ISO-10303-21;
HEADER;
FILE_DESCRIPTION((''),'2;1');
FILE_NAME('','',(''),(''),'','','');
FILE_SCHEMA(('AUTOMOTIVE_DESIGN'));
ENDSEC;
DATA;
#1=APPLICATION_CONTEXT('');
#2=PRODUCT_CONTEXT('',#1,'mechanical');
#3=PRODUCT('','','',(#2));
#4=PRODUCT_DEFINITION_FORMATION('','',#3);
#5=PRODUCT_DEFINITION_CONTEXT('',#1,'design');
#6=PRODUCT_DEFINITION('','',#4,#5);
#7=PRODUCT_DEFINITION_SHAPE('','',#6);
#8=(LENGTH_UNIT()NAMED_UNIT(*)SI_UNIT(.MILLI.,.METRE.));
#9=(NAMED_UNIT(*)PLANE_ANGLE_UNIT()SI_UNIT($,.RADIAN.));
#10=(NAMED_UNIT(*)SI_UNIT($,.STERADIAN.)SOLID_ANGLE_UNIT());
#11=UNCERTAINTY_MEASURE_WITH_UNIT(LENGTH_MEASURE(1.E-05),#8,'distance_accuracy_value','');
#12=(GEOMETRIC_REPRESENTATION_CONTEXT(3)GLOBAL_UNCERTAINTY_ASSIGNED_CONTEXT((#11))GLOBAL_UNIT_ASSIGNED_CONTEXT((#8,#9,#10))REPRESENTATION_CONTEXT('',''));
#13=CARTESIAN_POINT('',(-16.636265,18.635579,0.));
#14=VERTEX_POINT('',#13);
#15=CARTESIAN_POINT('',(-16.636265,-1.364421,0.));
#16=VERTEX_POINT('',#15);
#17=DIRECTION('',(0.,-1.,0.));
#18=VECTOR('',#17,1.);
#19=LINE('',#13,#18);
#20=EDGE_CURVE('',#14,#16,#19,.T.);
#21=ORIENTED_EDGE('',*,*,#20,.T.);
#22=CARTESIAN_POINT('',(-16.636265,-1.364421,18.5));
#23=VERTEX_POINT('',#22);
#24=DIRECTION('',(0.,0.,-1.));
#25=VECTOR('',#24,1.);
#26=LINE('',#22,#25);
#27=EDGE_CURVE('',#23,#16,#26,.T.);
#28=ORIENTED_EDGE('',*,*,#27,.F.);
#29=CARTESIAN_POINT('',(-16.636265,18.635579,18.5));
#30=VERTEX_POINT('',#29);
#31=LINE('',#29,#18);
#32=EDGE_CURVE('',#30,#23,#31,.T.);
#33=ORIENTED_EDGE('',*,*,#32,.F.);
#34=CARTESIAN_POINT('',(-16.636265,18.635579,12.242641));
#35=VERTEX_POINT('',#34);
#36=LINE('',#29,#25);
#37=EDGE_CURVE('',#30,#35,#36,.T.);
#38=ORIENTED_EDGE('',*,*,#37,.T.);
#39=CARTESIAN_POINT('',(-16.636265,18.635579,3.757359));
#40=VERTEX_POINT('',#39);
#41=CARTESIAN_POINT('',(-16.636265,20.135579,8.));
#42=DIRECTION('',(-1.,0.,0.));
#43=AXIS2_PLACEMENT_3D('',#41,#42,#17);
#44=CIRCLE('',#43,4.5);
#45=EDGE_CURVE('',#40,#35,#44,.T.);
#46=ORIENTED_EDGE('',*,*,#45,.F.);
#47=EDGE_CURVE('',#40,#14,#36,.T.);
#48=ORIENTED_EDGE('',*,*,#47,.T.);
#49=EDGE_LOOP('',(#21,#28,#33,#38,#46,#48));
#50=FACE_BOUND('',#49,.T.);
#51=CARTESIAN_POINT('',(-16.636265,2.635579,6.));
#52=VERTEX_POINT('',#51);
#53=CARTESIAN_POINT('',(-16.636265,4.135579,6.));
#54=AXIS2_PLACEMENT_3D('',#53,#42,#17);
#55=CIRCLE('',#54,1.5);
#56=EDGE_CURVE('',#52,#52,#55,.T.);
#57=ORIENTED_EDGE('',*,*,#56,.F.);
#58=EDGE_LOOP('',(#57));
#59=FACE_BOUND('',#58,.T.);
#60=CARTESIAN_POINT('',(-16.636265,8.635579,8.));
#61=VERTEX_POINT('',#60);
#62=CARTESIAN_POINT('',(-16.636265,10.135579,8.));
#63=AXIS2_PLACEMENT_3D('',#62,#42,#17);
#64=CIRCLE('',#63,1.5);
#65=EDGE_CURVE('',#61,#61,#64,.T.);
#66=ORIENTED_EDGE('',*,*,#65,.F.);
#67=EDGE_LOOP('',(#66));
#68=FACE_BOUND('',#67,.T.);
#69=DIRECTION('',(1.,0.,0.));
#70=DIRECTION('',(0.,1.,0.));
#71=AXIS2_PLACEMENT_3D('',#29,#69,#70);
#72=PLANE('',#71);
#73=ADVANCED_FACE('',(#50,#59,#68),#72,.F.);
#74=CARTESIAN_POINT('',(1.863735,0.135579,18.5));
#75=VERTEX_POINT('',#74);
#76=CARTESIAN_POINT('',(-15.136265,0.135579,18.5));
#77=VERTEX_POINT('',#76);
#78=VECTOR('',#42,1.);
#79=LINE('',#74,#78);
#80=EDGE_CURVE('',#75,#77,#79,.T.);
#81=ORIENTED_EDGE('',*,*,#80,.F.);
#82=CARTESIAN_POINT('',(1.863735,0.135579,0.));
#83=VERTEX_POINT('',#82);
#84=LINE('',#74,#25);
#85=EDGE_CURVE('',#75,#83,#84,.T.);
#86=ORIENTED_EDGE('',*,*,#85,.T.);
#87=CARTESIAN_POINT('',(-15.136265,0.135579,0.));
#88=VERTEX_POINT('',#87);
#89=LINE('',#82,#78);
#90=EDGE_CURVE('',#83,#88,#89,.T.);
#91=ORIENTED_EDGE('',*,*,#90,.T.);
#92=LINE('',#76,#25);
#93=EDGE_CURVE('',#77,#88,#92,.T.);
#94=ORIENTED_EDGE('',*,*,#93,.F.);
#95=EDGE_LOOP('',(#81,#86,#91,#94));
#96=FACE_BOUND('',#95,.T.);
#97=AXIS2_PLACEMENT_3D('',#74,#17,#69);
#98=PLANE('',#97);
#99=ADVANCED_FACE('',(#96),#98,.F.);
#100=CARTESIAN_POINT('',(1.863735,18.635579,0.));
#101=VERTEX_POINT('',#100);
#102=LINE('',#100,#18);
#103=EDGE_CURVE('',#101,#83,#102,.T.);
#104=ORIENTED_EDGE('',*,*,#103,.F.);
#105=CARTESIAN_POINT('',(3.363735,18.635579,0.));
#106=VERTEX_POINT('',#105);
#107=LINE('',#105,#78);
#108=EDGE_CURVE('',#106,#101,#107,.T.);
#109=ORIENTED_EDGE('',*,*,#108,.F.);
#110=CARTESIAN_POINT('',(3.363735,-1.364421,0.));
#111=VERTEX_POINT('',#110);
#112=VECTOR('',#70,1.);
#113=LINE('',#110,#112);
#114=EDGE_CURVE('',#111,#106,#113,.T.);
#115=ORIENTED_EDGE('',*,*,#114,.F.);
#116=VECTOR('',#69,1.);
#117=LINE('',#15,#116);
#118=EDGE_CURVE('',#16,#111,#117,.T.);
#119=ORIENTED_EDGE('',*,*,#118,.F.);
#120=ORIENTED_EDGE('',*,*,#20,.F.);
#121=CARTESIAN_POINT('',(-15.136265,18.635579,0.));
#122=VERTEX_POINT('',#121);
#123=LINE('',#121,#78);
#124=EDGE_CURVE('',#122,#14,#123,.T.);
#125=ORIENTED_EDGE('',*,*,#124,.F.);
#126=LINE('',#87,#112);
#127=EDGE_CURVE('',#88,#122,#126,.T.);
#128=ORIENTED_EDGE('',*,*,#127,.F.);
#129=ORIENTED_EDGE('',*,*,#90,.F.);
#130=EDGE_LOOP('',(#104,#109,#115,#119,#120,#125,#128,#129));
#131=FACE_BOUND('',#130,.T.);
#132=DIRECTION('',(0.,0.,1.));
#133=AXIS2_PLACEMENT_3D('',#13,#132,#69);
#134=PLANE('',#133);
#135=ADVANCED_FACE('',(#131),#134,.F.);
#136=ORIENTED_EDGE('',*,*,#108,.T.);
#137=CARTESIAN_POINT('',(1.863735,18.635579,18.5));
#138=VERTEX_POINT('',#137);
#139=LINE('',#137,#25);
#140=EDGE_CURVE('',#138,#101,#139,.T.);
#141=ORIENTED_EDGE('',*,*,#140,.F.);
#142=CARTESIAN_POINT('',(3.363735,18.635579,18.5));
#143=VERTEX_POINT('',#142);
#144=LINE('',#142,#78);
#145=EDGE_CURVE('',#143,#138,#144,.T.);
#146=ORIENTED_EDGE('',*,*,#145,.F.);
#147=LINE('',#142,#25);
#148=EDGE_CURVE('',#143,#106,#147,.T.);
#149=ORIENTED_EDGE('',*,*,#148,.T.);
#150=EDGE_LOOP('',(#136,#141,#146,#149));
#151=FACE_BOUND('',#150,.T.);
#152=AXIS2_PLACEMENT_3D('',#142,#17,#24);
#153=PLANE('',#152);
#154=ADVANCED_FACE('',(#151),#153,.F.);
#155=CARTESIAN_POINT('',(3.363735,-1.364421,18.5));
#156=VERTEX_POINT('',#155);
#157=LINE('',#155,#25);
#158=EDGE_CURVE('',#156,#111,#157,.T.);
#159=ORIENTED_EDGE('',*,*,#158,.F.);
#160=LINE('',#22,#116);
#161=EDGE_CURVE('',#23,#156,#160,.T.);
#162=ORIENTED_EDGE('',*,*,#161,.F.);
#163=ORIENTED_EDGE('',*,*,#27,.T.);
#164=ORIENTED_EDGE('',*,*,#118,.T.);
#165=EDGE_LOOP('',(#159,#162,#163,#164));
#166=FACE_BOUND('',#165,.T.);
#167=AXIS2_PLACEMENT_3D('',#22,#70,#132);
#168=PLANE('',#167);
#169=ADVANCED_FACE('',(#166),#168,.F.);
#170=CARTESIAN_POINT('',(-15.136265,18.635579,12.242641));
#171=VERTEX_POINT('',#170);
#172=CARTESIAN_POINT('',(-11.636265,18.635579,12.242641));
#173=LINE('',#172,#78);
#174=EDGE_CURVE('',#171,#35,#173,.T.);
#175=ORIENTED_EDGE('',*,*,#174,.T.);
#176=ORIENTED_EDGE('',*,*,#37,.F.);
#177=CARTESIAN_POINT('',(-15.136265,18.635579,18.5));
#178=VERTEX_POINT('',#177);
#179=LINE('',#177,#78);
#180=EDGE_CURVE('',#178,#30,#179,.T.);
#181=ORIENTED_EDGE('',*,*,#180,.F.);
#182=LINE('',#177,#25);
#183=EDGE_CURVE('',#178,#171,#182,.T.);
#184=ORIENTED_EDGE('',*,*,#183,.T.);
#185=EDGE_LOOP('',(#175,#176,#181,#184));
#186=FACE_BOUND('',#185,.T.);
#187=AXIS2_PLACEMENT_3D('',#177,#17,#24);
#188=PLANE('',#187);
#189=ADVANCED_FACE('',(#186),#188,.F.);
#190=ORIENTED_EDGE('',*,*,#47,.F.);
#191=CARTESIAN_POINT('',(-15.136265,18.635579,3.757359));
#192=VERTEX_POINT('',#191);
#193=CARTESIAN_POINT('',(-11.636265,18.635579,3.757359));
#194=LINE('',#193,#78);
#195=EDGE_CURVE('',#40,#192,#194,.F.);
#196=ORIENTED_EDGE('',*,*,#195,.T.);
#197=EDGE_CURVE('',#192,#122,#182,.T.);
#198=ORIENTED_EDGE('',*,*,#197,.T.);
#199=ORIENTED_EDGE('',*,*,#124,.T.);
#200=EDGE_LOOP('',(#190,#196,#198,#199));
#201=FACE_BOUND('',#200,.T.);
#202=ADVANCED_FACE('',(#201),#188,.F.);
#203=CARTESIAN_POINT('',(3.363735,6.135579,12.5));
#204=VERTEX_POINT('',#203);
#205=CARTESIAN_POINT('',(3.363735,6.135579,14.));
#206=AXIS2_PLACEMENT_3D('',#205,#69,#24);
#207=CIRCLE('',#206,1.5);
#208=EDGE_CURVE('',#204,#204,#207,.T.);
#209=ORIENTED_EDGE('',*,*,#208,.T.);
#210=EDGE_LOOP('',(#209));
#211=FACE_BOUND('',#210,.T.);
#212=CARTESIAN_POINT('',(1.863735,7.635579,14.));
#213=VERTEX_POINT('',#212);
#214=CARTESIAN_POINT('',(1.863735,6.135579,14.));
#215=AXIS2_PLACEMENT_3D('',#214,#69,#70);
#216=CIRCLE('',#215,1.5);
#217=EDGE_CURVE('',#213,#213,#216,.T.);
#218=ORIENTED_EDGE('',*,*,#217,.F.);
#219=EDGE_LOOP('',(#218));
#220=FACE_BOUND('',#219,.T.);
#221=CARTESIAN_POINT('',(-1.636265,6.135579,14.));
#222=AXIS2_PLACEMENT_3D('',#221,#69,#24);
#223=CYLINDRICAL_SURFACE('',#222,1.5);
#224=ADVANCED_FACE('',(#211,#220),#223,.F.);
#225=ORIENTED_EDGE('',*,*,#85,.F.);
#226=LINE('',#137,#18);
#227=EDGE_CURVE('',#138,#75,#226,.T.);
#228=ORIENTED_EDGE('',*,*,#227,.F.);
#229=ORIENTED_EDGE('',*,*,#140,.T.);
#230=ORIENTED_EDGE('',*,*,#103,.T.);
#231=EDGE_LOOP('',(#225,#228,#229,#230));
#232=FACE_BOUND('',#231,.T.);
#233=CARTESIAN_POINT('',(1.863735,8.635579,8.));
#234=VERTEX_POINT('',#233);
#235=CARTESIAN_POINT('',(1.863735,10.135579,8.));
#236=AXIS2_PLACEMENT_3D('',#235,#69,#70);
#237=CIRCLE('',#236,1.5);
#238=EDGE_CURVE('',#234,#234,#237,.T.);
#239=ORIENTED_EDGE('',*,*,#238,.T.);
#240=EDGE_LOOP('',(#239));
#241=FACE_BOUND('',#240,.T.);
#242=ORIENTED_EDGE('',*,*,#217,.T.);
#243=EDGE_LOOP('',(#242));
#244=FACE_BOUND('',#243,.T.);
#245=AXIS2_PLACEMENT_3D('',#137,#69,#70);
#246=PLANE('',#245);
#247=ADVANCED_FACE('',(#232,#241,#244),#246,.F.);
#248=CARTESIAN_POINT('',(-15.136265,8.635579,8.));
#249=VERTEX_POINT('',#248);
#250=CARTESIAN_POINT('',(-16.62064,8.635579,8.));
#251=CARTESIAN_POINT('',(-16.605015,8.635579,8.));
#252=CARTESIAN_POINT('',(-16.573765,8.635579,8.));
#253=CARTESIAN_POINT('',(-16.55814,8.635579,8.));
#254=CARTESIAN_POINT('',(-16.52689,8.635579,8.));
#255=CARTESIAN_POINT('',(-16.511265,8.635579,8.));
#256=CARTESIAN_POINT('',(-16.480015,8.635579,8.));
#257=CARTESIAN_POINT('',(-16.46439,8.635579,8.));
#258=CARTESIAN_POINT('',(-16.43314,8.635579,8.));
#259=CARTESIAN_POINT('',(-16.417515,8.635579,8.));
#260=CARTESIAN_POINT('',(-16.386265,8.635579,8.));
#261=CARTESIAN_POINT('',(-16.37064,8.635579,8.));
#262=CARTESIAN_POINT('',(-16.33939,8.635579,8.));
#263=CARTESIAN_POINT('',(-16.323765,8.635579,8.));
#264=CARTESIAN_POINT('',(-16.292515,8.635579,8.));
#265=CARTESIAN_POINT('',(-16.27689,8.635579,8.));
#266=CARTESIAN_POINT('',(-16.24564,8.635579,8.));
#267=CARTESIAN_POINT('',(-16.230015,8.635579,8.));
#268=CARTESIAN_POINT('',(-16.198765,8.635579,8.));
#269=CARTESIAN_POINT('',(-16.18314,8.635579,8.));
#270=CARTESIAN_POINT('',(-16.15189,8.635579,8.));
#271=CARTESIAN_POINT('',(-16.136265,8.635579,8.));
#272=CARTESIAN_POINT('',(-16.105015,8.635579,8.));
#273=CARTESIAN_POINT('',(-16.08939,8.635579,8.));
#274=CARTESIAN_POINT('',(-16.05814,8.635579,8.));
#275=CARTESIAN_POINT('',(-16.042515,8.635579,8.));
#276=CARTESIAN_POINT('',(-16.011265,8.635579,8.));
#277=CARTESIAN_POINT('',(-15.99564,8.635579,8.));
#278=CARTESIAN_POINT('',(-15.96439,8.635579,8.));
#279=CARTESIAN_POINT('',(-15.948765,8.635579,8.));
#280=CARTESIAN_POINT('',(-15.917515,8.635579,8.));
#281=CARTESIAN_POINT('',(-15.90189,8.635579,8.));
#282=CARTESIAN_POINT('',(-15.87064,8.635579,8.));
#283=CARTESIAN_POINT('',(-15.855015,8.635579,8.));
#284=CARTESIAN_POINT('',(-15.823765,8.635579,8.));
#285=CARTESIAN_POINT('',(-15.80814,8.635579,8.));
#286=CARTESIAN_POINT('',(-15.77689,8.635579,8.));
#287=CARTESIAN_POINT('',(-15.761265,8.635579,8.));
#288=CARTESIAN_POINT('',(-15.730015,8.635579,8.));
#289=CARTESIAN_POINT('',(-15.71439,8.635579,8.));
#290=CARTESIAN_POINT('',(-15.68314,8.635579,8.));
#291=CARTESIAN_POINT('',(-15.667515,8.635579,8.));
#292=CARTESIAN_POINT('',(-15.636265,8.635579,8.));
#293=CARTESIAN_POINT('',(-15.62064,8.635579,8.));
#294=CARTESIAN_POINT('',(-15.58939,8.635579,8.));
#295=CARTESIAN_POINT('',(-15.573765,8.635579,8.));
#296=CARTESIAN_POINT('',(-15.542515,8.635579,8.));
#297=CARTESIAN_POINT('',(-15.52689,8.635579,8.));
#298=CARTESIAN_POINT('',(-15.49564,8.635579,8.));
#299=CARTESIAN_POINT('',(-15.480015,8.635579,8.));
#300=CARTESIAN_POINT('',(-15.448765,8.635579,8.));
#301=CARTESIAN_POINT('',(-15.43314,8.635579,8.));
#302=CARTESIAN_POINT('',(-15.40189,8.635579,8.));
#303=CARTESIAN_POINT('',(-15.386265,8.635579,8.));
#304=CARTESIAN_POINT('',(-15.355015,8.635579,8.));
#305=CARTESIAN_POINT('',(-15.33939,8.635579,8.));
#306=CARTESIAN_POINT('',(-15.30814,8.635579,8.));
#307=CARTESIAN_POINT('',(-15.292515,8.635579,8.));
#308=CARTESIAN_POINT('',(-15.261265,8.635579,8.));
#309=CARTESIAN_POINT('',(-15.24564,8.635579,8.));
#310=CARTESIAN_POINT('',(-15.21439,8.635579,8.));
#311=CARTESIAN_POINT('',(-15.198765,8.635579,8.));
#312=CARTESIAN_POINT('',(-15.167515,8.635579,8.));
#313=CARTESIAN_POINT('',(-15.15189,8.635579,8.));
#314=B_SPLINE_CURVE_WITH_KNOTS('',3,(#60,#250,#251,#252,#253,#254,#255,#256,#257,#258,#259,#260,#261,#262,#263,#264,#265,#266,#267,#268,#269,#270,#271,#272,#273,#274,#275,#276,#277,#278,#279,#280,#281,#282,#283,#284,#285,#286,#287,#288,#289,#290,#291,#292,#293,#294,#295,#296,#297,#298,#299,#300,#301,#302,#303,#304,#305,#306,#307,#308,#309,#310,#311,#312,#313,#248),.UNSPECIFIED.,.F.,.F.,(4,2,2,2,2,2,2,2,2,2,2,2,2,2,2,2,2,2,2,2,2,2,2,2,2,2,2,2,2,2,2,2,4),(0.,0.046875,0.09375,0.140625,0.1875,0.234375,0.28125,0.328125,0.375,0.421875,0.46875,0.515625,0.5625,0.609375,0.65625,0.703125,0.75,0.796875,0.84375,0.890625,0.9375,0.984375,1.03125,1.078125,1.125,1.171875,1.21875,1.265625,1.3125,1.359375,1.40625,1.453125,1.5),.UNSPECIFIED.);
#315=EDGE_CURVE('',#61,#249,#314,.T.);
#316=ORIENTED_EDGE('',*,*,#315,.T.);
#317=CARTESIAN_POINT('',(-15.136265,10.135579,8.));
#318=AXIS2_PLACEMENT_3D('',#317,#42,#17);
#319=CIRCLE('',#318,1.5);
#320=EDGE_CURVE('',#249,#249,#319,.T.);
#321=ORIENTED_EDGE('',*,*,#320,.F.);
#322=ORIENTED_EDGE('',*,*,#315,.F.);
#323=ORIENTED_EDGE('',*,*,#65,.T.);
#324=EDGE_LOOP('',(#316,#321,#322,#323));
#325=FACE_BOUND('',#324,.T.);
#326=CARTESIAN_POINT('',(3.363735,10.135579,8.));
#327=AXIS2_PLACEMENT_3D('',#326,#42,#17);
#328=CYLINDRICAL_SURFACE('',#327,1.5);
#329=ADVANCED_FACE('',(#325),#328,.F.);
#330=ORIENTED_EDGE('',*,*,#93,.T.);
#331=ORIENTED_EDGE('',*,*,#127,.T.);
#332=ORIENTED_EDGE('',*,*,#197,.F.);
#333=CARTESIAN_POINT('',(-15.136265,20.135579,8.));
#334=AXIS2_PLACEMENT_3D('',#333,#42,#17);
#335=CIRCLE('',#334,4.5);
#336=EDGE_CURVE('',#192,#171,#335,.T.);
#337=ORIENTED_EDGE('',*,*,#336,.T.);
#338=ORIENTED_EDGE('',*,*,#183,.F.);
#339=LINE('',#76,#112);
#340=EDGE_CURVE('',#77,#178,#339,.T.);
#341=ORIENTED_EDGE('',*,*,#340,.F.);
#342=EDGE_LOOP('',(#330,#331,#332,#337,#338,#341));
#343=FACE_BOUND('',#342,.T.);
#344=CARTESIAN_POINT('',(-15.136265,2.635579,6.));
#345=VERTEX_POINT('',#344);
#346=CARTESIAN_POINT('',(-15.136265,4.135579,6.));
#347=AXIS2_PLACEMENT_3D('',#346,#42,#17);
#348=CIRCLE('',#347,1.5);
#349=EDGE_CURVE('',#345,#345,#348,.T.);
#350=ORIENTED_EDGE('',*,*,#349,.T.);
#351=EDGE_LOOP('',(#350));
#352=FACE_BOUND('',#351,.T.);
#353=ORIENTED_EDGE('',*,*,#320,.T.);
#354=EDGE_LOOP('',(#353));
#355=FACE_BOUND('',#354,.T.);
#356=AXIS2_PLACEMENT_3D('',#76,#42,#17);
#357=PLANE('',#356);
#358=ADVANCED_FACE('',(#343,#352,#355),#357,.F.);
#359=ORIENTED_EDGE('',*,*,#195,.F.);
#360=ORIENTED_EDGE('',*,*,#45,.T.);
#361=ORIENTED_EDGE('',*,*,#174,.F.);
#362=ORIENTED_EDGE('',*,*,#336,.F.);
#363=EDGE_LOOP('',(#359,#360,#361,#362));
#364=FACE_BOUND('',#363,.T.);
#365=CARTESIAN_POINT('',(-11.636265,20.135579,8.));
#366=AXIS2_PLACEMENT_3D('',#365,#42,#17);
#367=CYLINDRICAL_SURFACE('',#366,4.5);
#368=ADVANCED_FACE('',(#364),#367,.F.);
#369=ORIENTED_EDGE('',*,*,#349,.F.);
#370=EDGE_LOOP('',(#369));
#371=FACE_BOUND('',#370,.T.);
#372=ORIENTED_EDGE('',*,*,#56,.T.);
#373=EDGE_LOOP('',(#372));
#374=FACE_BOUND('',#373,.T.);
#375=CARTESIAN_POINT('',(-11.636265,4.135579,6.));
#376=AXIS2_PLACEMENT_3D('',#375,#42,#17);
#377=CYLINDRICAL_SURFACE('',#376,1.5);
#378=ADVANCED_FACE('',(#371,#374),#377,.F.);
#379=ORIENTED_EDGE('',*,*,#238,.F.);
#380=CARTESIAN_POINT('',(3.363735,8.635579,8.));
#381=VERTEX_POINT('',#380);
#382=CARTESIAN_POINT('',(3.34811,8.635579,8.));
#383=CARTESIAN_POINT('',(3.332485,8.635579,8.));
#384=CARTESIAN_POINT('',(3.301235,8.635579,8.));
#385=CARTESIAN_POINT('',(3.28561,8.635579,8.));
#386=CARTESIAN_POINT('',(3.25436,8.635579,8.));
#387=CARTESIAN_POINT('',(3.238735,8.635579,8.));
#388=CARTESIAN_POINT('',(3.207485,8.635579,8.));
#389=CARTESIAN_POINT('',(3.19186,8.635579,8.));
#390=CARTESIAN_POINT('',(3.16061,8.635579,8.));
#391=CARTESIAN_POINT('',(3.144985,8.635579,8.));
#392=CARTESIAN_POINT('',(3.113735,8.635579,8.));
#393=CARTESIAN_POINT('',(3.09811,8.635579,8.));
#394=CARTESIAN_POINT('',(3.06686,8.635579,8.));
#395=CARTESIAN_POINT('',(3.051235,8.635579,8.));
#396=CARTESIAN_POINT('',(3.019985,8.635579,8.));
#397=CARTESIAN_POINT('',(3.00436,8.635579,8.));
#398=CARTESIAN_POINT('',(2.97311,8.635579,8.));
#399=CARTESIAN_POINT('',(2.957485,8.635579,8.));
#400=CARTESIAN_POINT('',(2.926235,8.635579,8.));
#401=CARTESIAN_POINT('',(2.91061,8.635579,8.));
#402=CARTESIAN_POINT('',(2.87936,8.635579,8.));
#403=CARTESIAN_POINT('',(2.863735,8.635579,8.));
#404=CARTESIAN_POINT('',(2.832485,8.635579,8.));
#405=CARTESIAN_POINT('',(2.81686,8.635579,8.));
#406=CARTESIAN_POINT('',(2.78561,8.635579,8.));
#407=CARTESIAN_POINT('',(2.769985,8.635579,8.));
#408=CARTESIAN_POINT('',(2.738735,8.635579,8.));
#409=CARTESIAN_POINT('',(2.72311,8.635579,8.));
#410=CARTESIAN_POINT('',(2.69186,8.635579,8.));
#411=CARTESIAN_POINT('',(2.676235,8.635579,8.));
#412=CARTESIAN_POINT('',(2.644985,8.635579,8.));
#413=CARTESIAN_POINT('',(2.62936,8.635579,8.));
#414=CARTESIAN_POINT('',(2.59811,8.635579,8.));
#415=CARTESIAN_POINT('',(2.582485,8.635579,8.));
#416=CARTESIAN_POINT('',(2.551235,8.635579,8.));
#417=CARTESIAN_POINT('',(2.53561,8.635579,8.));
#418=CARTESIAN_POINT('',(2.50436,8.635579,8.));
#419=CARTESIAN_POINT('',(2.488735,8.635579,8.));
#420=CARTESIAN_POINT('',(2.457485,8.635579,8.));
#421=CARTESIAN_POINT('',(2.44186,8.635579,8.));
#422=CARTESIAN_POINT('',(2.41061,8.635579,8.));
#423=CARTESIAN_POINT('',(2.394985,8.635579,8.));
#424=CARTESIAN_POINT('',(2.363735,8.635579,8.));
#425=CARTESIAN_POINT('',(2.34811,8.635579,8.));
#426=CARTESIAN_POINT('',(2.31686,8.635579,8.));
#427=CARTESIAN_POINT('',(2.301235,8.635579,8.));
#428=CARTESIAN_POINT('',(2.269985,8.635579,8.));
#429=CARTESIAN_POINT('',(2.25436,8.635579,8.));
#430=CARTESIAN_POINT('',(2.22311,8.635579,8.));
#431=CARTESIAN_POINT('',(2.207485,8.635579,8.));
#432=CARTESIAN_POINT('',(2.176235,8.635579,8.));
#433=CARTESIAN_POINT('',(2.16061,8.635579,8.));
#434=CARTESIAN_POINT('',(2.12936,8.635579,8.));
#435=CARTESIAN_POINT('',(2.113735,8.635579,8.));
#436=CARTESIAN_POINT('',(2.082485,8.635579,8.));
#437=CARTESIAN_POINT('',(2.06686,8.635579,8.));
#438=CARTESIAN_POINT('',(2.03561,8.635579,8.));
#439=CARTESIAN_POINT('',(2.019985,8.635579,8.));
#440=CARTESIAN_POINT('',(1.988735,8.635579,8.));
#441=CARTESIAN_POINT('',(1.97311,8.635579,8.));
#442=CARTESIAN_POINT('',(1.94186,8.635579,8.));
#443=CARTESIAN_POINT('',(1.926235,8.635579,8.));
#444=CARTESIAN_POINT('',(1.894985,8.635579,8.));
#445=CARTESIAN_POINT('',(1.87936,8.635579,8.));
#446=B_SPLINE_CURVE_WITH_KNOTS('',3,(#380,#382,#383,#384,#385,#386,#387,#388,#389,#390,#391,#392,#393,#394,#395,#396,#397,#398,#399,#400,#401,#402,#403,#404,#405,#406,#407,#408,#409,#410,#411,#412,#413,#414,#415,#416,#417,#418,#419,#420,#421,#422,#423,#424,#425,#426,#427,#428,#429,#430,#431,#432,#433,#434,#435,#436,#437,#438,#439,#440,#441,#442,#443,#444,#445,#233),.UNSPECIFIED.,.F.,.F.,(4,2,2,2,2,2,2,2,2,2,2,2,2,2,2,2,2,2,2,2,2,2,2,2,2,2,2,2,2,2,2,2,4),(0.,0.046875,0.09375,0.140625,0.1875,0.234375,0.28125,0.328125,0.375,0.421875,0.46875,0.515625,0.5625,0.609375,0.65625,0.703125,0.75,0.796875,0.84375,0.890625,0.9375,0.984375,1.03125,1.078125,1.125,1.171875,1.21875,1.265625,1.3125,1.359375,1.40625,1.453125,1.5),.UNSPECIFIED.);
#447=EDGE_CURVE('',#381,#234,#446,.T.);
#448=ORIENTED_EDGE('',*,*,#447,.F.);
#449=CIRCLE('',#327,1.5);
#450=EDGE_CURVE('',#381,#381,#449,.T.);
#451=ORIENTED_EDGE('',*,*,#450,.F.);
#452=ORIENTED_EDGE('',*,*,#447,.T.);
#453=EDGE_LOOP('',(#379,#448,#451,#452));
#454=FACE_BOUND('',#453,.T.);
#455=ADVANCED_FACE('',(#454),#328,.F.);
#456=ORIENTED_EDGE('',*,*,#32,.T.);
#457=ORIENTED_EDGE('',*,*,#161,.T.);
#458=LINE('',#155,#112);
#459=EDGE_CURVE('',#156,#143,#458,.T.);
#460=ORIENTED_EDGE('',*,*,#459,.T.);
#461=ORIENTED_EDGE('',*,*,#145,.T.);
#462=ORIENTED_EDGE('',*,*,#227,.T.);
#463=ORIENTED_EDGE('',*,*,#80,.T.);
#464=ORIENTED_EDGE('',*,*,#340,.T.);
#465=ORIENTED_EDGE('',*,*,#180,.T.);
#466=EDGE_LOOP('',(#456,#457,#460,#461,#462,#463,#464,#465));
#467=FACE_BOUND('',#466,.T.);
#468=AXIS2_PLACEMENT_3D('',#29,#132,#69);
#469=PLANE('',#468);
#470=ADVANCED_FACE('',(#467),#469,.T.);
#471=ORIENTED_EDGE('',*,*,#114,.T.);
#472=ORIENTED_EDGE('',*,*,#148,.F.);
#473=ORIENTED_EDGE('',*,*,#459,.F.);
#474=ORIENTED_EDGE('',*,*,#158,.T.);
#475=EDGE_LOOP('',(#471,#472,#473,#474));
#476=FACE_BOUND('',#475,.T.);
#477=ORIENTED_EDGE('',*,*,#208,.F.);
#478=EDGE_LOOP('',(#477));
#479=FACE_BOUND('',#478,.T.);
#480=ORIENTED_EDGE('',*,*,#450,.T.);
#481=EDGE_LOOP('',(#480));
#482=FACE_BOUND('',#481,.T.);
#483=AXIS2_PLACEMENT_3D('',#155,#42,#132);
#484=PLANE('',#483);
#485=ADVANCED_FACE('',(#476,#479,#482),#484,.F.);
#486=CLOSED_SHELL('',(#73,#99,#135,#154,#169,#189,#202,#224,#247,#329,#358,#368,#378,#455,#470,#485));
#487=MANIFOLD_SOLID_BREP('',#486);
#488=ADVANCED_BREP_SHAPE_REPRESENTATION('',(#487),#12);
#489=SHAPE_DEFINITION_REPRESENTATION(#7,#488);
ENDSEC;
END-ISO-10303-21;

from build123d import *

# Parameters (mm, degrees)
EXTRUSION1_DEPTH = 18.5
ESQUISSE2_R      = 1.5
EXTRUSION2_DEPTH = 5
ESQUISSE3_R      = 4.5
ESQUISSE3_R_2    = 1.5
EXTRUSION3_DEPTH = 5
ESQUISSE4_R      = 1.5
EXTRUSION4_DEPTH = 34.008102077


with BuildPart() as part:
    # Esquisse1 → Extrusion1 (new body)
    with BuildSketch(Plane.XY):
        Polygon((-16.636265327, 18.635578947), (-16.636265327, -1.364421053), (3.363734673, -1.364421053), (3.363734673, 18.635578947), (1.863734673, 18.635578947), (1.863734673, 0.135578947), (-15.136265327, 0.135578947), (-15.136265327, 18.635578947), align=None)
    extrude(amount=EXTRUSION1_DEPTH)

    # Esquisse2 → Extrusion2 (cut)
    with BuildSketch(Plane(origin=(3.363734673, 0, 0), x_dir=(0, 0, -1), z_dir=(1, 0, 0))):
        with Locations((-14, 6.135578947)):
            Circle(ESQUISSE2_R)
    extrude(amount=-EXTRUSION2_DEPTH, mode=Mode.SUBTRACT)

    # Esquisse3 → Extrusion3 (cut)
    with BuildSketch(Plane.ZY.offset(16.636265327)):
        with Locations((8, 20.135578947)):
            Circle(ESQUISSE3_R)
        with Locations(Location((6, 4.135578947, 0), (0, 0, 270))):
            Circle(ESQUISSE3_R_2)
    extrude(amount=-EXTRUSION3_DEPTH, mode=Mode.SUBTRACT)

    # Esquisse4 → Extrusion4 (cut, through all)
    with BuildSketch(Plane.ZY.offset(16.636265327)):
        with Locations(Location((8, 10.135578947, 0), (0, 0, 270))):
            Circle(ESQUISSE4_R)
    extrude(amount=-EXTRUSION4_DEPTH, mode=Mode.SUBTRACT)


solid = part.part
